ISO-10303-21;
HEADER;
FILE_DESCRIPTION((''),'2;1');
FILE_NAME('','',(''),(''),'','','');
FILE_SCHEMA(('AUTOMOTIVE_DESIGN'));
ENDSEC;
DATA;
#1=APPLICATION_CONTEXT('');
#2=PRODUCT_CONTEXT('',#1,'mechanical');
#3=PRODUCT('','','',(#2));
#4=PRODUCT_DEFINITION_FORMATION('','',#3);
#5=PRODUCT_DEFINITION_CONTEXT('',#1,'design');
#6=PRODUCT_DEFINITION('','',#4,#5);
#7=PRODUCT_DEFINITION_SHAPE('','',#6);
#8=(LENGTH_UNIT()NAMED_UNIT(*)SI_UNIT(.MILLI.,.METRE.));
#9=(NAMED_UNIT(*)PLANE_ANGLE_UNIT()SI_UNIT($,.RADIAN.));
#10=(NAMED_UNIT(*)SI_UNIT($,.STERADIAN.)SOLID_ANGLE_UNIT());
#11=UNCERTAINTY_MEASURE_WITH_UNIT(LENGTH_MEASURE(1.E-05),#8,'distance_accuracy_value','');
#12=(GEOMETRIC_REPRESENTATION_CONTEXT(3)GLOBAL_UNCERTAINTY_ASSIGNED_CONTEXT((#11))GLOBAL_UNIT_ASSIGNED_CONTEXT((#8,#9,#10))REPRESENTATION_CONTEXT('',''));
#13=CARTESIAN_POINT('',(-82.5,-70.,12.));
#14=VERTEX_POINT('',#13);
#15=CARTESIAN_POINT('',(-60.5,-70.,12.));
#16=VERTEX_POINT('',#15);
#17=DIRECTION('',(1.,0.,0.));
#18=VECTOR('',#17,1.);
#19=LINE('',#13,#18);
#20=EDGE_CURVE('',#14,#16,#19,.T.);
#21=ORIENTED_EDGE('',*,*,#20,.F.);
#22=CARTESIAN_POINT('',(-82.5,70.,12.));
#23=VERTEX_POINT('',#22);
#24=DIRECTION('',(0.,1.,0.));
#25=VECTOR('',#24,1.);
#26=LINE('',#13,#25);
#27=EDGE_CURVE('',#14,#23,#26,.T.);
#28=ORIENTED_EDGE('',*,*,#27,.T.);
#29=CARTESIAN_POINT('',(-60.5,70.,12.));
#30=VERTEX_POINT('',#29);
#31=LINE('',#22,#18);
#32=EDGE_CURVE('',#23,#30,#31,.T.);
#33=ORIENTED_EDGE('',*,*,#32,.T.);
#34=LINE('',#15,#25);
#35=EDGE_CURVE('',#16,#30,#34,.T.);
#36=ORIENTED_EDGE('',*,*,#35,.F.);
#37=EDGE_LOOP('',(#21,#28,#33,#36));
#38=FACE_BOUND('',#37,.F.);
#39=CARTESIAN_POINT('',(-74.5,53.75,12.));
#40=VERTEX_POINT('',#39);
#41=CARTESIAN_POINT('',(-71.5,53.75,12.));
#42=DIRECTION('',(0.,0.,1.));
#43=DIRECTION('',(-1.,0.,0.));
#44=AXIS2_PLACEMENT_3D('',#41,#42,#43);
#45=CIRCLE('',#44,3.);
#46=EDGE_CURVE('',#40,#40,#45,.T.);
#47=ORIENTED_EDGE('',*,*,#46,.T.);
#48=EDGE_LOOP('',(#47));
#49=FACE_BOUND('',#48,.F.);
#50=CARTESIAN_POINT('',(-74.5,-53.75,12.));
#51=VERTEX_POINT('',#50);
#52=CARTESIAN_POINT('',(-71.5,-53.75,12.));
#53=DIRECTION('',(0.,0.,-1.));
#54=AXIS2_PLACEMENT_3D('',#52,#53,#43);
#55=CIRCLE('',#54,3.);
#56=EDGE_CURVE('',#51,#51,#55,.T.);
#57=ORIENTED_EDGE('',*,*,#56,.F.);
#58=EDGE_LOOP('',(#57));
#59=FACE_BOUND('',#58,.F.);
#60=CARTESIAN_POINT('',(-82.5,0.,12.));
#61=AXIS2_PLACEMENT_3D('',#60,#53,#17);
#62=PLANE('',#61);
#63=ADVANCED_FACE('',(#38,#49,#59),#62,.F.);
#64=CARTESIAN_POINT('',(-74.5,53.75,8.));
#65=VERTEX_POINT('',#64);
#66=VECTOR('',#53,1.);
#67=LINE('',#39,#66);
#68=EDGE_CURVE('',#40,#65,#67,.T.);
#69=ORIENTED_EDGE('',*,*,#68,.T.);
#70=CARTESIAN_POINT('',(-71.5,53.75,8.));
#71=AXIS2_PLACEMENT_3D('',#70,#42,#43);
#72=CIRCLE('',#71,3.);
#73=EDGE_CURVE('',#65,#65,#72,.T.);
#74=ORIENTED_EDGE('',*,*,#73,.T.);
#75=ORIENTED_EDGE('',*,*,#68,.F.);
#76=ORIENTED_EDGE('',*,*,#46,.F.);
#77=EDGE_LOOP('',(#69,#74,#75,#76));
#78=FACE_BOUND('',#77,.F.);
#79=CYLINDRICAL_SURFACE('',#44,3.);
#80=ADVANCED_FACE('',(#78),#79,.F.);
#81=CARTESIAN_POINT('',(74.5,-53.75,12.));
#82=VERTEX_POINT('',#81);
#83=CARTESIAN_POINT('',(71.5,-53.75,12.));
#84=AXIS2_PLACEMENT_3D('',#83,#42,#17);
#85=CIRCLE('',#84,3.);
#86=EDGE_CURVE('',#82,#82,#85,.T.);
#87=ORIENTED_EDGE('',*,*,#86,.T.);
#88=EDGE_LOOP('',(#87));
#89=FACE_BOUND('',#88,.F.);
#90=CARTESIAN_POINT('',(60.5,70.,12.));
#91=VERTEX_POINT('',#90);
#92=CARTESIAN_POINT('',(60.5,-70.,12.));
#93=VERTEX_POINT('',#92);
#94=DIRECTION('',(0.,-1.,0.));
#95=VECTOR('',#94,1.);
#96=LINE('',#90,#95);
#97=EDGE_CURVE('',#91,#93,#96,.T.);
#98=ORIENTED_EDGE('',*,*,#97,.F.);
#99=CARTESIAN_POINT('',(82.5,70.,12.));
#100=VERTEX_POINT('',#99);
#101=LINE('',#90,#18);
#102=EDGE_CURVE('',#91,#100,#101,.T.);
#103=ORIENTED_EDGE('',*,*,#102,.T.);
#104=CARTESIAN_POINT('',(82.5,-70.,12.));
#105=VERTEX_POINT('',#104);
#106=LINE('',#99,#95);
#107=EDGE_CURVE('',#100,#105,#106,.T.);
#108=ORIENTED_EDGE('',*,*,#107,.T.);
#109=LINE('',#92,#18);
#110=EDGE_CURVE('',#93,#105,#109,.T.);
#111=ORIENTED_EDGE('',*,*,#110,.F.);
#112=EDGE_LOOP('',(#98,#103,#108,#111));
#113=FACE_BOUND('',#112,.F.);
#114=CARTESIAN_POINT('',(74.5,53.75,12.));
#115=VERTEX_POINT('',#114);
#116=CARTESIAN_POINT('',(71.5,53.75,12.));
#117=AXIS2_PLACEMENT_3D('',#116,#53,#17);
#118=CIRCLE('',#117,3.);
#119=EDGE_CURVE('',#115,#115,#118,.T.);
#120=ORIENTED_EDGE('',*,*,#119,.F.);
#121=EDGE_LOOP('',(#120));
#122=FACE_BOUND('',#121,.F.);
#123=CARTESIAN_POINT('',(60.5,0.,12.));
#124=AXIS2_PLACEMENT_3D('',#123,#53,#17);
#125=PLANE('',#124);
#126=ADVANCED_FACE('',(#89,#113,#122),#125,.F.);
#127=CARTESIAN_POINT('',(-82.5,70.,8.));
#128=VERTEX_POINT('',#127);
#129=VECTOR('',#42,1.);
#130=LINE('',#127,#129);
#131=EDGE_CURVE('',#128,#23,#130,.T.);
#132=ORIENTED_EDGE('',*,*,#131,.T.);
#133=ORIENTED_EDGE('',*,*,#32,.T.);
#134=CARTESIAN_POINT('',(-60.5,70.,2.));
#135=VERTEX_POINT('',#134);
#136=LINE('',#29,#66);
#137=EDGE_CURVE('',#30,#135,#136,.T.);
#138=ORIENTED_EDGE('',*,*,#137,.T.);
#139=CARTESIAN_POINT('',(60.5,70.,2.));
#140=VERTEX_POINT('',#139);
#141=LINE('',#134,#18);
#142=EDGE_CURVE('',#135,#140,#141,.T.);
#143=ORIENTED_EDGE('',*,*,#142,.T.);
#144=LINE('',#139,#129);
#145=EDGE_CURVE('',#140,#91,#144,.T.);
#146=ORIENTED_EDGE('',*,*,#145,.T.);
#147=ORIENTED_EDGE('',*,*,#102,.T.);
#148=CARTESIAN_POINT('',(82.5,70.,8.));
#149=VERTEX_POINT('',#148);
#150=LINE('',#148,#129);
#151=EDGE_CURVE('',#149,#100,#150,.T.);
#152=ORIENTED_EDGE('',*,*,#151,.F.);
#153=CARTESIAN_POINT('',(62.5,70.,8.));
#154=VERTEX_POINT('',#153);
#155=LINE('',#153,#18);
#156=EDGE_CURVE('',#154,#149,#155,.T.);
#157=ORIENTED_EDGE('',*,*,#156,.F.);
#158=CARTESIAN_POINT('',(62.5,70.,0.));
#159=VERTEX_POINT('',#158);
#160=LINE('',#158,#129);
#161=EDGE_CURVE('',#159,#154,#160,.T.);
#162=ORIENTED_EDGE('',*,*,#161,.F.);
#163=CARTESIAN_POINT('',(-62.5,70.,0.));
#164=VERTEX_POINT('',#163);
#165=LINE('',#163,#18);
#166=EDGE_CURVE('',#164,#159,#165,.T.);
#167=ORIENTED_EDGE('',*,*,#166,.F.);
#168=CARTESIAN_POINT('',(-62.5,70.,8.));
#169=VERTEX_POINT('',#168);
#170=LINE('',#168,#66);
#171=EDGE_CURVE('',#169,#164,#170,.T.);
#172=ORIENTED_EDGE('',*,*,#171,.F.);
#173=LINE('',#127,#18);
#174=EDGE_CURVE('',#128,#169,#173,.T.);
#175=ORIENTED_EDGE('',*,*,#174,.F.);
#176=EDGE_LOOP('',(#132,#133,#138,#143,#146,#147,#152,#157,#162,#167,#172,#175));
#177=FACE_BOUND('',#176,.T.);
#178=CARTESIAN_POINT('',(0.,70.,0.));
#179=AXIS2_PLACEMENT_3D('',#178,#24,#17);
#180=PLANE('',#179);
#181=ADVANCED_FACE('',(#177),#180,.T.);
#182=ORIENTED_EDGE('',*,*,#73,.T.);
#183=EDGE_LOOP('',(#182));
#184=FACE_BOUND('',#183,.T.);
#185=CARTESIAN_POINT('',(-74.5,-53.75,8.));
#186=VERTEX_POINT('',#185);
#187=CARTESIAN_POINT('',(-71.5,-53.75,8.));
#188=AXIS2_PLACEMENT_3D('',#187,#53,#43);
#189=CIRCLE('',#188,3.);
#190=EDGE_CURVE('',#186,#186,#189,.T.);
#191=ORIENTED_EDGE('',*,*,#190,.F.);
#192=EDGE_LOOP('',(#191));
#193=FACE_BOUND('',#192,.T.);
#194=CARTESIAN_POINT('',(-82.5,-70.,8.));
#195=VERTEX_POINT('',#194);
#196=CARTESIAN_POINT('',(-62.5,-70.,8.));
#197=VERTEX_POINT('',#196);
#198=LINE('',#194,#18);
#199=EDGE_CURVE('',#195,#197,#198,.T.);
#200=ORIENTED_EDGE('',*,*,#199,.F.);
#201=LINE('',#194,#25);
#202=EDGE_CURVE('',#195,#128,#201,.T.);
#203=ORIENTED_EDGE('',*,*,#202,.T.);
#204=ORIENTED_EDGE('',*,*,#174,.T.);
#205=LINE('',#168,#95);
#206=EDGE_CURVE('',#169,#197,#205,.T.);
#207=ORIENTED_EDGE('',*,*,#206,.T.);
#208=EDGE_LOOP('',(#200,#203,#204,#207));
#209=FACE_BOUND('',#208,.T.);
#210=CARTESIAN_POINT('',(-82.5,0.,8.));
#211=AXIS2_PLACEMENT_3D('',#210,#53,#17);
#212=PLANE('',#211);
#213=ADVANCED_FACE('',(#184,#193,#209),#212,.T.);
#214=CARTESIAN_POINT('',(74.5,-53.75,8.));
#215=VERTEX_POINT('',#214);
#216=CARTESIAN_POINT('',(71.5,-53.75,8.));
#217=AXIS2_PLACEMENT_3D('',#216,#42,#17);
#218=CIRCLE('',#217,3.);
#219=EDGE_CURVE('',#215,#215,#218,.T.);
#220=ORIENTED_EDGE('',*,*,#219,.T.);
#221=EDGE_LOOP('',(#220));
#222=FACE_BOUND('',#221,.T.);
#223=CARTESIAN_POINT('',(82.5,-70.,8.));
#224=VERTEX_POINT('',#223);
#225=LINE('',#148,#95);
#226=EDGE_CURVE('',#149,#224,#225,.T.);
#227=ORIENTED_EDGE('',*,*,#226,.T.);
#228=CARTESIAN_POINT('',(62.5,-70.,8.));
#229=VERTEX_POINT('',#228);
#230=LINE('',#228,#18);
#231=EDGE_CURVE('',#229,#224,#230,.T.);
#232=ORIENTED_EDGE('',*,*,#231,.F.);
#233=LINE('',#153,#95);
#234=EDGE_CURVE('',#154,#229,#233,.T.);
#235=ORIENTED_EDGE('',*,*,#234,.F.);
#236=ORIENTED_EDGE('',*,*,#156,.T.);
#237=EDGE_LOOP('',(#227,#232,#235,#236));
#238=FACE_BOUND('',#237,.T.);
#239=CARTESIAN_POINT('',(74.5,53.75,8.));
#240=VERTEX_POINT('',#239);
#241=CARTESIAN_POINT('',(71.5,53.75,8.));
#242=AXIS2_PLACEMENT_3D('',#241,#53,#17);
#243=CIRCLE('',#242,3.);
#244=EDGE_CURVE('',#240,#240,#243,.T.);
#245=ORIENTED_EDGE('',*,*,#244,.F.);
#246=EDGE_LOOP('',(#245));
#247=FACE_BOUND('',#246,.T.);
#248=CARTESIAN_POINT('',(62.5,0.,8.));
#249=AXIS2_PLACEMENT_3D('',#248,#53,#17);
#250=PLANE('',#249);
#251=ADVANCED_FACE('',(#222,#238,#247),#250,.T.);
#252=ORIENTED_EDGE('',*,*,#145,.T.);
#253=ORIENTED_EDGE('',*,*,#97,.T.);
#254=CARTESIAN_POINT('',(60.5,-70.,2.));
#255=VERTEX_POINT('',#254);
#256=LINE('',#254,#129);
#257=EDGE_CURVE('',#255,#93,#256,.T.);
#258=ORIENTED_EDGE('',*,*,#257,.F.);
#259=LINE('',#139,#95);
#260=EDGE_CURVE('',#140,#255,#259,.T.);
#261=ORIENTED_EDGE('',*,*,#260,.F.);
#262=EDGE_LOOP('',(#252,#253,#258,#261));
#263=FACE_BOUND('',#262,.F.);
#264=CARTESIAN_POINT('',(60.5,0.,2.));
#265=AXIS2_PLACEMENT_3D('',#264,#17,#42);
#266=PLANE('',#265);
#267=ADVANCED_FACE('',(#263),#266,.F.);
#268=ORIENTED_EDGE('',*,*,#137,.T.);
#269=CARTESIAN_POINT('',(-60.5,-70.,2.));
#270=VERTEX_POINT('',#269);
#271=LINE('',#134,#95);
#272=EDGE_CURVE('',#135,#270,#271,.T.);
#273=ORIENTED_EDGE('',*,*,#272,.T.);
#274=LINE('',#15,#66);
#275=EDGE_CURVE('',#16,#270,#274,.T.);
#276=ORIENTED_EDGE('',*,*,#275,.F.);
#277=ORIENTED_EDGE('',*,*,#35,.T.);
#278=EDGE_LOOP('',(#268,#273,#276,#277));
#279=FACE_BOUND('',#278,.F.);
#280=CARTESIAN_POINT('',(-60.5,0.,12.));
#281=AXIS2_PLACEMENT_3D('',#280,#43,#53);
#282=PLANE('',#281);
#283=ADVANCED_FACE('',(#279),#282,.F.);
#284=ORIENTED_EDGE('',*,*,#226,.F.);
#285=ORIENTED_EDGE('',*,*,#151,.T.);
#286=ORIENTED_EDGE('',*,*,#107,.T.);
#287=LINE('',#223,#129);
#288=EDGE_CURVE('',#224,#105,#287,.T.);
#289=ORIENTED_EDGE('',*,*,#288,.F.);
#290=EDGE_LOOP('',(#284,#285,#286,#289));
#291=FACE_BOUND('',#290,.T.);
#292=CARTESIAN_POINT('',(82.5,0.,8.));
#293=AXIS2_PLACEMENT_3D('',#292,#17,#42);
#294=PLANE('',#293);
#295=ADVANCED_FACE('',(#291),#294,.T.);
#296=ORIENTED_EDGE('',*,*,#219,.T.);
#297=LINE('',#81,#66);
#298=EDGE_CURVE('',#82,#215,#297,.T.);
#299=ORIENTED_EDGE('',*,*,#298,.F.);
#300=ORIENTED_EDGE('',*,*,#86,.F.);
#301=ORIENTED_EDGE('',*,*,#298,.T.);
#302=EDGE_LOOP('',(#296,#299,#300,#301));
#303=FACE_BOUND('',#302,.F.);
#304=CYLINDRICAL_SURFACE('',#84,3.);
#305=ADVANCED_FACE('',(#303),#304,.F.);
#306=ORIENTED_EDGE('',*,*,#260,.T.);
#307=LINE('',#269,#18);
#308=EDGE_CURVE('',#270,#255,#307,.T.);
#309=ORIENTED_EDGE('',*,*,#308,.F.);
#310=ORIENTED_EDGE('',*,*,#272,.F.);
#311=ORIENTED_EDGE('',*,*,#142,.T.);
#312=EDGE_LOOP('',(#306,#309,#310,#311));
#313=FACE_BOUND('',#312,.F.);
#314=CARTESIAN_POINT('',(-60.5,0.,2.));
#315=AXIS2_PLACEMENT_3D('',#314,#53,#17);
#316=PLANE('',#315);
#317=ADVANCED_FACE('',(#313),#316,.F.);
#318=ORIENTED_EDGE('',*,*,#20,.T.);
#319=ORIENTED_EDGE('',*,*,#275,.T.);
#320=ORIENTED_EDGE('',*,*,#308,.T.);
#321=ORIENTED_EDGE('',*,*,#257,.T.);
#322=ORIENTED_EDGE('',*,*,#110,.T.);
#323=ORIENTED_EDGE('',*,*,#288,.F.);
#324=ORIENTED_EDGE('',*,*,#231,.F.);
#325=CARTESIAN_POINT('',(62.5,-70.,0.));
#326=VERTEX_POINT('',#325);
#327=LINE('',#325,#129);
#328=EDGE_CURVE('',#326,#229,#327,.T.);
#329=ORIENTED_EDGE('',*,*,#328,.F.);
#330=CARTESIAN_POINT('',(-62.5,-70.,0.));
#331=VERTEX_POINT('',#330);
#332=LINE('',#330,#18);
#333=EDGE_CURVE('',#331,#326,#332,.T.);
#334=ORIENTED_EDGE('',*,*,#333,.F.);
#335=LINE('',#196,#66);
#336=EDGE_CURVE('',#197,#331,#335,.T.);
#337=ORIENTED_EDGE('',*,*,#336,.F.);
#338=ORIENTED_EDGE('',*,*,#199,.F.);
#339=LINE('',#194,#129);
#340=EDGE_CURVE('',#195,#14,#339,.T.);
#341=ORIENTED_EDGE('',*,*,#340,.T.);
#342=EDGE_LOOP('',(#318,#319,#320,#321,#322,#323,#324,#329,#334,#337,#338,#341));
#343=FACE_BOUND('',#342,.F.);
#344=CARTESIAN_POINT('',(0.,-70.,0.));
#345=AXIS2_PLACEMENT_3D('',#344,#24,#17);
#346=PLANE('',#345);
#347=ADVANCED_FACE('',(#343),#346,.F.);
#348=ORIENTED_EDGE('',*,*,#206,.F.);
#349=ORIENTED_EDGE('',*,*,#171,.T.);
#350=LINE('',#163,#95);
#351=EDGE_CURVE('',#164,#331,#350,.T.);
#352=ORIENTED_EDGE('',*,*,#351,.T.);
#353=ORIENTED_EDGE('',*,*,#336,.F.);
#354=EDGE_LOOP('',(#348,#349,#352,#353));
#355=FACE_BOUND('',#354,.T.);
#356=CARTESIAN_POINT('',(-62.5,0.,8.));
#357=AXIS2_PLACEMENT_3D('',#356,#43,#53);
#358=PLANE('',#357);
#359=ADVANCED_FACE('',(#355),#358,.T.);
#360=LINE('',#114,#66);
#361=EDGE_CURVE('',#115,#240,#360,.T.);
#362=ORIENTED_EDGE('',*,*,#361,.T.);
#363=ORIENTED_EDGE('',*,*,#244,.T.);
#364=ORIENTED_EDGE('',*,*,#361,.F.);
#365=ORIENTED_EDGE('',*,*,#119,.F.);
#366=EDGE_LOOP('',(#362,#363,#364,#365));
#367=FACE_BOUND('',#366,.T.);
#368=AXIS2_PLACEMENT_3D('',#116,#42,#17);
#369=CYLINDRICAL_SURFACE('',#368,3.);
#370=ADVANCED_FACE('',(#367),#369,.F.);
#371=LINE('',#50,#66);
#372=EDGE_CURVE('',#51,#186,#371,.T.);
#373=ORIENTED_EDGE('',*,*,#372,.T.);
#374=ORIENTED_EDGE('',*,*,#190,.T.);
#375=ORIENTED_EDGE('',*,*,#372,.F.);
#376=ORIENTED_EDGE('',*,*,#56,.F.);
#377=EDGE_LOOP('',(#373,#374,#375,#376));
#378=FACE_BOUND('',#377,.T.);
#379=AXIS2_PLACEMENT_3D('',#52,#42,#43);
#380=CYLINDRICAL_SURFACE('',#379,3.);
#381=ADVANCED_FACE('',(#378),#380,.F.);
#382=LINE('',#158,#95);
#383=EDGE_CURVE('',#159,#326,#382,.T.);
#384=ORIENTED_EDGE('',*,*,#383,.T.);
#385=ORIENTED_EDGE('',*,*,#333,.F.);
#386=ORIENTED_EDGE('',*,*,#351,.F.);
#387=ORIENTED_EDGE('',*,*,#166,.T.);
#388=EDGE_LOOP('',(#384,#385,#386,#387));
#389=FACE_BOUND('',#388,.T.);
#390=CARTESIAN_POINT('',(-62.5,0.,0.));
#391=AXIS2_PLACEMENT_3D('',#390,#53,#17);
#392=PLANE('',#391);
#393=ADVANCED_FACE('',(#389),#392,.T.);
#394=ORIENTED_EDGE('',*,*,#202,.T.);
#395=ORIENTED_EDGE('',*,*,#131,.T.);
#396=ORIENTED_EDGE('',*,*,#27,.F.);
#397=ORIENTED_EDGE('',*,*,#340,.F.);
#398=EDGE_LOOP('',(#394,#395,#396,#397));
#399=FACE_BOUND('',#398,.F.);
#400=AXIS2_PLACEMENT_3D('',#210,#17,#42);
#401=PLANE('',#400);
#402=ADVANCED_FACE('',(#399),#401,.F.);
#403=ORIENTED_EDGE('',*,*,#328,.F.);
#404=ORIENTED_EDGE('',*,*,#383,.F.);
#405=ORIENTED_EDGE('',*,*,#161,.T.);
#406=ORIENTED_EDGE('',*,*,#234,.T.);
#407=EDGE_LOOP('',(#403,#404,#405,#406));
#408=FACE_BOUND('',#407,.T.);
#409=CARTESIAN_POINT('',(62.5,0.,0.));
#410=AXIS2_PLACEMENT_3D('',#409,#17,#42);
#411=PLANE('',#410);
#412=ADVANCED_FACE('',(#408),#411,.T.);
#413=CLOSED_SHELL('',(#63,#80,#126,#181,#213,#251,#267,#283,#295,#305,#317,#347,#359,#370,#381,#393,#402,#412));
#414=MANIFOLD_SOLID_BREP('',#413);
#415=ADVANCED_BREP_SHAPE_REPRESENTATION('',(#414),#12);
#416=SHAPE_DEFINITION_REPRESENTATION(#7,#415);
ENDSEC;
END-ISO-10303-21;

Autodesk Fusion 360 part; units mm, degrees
sketch "extrusion" plane through (0, 0, 0) normal (0, 1, 0) x (1, 0, 0)
  line L0 (-82.5, -8) -> (-62.5, -8)
  line L1 (-62.5, -8) -> (-62.5, 0)
  line L2 (-62.5, 0) -> (62.5, 0)
  line L3 (62.5, 0) -> (62.5, -8)
  line L4 (62.5, -8) -> (82.5, -8)
  line L5 (-60.5, -12) -> (-60.5, -2)
  line L6 (-60.5, -2) -> (60.5, -2)
  line L7 (60.5, -2) -> (60.5, -12)
  line L8 (-82.5, -12) -> (-60.5, -12)
  line L9 (60.5, -12) -> (82.5, -12)
  line L10 (-82.5, -8) -> (-82.5, -12)
  line L11 (82.5, -8) -> (82.5, -12)
  dimension "d1" = 125
  dimension "d2" = 8
  dimension "d3" = 20
  dimension "d4" = 8
  dimension "d5" = 20
extrude "Extrude1" add sketch "extrusion" along normal mid plane 140
sketch "top holes" plane through (0, 0, 12) normal (0, 0, 1) x (-1, 0, 0)
  circle A0 centre (71.5, -53.75) radius 3
  line L0 (82.5, -70) -> (60.5, -70)
  dimension "d11" = 6
  dimension "d12" = 16.25
extrude "Extrude2" cut sketch "top holes" against normal blind 4
mirror "Mirror1" about plane through (0, 0, 0) normal (1, 0, 0) of "Extrude2"
mirror "Mirror2" about plane through (0, 0, 0) normal (0, 1, 0) of "Extrude2", "Mirror1"
